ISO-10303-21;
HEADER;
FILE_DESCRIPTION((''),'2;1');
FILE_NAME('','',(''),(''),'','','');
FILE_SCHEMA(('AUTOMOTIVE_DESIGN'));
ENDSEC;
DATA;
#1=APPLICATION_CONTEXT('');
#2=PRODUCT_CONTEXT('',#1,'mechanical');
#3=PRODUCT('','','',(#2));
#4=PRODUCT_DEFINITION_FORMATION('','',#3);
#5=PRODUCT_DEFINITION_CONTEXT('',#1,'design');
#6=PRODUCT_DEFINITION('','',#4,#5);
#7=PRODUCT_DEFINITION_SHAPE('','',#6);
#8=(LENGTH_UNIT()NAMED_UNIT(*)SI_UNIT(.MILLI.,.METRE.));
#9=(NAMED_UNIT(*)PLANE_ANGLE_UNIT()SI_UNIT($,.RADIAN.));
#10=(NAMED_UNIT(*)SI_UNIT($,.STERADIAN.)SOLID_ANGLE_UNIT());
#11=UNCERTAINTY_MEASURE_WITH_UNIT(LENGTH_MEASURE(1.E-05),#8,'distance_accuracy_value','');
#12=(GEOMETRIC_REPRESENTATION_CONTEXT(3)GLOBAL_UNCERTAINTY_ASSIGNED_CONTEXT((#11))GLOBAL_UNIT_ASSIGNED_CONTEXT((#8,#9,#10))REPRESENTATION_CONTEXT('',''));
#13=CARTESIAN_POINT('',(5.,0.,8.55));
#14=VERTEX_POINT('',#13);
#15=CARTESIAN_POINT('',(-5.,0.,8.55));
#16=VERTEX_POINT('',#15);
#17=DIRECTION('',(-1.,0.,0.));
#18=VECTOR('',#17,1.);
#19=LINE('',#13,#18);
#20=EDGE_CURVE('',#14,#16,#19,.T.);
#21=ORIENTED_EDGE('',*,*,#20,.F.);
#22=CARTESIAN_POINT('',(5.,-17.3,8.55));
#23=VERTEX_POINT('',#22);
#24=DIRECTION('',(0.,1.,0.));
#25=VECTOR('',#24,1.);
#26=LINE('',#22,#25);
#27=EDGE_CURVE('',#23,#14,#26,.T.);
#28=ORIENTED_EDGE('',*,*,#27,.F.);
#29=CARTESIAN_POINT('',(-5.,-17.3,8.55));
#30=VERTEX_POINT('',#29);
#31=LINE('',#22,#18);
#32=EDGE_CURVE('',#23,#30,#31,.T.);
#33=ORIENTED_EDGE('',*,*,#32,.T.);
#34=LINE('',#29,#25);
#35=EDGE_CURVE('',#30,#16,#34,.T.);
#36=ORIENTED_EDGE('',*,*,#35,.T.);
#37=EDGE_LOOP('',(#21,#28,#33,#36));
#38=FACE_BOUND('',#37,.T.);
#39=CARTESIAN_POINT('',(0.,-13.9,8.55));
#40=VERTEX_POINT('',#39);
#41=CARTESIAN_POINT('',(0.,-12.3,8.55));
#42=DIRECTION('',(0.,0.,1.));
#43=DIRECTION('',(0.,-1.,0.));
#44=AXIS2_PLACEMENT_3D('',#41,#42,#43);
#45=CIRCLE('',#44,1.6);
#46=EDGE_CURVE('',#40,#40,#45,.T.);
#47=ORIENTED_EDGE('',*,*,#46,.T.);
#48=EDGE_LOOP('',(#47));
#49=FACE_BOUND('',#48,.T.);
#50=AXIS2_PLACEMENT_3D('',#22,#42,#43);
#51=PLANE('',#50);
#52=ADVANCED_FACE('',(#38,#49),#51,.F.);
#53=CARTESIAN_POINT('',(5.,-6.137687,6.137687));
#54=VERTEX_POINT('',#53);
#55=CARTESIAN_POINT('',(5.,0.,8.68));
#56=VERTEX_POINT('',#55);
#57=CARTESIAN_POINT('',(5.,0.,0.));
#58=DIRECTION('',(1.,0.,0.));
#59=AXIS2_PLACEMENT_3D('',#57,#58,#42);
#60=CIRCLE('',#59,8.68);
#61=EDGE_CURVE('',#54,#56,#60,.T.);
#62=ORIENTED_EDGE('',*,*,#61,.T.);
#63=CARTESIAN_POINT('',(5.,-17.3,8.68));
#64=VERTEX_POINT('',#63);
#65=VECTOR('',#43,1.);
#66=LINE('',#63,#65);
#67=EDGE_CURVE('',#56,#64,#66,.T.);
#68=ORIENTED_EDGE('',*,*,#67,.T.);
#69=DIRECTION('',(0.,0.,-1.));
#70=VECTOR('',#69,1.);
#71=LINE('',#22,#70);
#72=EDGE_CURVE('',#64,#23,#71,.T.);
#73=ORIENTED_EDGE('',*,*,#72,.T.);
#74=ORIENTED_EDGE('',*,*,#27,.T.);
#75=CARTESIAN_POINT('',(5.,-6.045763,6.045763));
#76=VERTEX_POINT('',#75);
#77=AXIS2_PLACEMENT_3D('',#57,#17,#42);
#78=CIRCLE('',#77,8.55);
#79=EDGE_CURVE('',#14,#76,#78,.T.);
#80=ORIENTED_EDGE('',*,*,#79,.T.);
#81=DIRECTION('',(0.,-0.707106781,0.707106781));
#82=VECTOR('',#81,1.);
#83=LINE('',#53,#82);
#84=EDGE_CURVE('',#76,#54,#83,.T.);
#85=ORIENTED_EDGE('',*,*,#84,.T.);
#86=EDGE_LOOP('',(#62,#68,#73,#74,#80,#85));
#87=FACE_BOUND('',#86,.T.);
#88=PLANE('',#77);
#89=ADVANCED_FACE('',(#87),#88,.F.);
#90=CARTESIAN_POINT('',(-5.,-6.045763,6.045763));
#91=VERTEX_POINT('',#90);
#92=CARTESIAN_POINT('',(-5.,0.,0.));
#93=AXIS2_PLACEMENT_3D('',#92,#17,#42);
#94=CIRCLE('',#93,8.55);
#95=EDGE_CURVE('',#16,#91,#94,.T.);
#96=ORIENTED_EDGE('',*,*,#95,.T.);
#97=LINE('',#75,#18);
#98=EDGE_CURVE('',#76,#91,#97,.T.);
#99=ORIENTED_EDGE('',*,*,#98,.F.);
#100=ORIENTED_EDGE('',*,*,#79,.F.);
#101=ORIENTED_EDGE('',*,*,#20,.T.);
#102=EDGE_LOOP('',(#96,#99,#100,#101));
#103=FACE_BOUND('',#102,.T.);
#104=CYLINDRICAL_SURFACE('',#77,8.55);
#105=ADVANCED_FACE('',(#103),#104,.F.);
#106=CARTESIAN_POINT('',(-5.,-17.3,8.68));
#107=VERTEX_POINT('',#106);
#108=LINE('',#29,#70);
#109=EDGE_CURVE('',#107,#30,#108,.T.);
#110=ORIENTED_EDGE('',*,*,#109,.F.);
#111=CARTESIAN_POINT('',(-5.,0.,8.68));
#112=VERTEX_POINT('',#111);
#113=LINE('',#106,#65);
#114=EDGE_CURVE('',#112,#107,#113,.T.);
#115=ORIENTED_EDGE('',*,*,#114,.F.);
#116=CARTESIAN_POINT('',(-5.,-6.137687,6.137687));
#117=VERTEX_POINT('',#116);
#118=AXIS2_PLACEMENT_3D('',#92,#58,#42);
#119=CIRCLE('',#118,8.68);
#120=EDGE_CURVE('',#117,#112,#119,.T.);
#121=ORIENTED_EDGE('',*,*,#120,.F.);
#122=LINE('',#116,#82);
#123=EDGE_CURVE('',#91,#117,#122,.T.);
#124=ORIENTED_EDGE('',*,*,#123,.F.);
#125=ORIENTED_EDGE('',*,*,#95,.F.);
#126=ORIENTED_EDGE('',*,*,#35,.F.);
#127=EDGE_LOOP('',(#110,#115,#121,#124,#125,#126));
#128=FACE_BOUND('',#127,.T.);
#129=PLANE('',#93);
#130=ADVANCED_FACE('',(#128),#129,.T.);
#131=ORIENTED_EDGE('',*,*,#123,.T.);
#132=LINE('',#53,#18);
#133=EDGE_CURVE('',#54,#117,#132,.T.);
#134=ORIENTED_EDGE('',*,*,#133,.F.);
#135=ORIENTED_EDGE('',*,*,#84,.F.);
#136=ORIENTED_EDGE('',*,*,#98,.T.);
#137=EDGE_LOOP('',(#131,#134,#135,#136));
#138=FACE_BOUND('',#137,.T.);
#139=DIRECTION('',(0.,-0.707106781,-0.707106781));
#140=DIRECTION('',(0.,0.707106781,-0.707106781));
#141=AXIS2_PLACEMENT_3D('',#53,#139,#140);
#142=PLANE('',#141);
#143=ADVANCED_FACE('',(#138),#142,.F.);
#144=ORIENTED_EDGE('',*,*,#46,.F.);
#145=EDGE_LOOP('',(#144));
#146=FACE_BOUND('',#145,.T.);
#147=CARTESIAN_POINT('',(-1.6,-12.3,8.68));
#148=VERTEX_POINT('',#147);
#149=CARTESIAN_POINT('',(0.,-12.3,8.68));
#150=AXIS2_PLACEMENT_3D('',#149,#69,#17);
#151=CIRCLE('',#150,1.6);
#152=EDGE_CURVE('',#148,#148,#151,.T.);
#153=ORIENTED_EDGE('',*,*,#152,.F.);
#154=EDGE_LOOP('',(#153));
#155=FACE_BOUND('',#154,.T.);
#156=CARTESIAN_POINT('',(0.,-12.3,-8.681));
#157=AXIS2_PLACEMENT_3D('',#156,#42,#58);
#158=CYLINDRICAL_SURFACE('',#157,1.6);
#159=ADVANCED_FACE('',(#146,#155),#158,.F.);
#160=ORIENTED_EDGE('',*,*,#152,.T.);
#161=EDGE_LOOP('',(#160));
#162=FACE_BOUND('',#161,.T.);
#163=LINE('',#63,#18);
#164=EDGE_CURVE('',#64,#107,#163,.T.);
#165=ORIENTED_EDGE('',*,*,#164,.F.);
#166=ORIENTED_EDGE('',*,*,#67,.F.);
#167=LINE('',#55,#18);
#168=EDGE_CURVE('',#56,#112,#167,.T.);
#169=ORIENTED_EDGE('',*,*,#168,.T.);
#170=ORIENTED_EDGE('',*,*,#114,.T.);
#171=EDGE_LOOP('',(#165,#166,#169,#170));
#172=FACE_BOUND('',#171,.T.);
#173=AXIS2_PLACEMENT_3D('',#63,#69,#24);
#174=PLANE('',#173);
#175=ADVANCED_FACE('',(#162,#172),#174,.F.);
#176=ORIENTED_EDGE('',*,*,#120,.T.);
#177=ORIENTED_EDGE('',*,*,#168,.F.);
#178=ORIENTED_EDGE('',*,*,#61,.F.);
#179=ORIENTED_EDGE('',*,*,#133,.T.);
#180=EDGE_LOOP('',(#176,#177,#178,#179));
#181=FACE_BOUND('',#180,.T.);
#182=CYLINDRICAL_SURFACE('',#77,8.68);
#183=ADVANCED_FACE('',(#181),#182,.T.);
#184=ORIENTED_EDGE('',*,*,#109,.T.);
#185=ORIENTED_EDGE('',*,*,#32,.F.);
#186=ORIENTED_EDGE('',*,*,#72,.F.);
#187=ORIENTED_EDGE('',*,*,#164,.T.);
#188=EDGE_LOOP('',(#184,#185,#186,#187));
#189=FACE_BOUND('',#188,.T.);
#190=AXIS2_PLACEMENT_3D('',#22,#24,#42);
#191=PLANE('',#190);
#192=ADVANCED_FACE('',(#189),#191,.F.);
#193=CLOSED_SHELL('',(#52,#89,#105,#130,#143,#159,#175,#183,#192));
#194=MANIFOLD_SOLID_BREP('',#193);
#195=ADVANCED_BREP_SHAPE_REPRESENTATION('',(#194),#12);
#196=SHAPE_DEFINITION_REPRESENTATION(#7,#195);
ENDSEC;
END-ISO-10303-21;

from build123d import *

# Parameters (mm, degrees)
BOSS_EXTRUDE1_DEPTH = 5
CUT_EXTRUDE1_REACH  = 27.013
SKETCH2_R           = 1.6


with BuildPart() as part:
    # Sketch1 → Boss-Extrude1 (new, symmetric)
    with BuildSketch(Plane(origin=(0, 0, 0), x_dir=(0, -1, 0), z_dir=(1, 0, 0))):
        with BuildLine():
            Line((6.137686861, -6.137686861), (6.045762979, -6.045762979))
            ThreePointArc((6.045762979, -6.045762979), (-3.271943347, 7.899170003), (0, -8.55))
            Line((0, -8.55), (17.3, -8.55))
            Line((17.3, -8.55), (17.3, -8.68))
            Line((17.3, -8.68), (0, -8.68))
            ThreePointArc((0, -8.68), (-3.321692193, 8.019274342), (6.137686861, -6.137686861))
        make_face()
    extrude(amount=BOSS_EXTRUDE1_DEPTH, both=True)

    # Sketch2 → Cut-Extrude1 (cut, up to next)
    with BuildSketch(Plane(origin=(0, 0, 8.68), x_dir=(-1, 0, 0), z_dir=(0, 0, -1)), mode=Mode.PRIVATE) as cut_extrude1_sk1:
        with Locations(Location((0, -12.3, 0), (0, 0, 270))):
            Circle(SKETCH2_R)
    cut_extrude1_tool1 = extrude(cut_extrude1_sk1.sketch, amount=CUT_EXTRUDE1_REACH, mode=Mode.PRIVATE) & part.part
    add(cut_extrude1_tool1.solids().sort_by_distance((0, -12.3, 8.68))[0], mode=Mode.SUBTRACT)


solid = part.part
